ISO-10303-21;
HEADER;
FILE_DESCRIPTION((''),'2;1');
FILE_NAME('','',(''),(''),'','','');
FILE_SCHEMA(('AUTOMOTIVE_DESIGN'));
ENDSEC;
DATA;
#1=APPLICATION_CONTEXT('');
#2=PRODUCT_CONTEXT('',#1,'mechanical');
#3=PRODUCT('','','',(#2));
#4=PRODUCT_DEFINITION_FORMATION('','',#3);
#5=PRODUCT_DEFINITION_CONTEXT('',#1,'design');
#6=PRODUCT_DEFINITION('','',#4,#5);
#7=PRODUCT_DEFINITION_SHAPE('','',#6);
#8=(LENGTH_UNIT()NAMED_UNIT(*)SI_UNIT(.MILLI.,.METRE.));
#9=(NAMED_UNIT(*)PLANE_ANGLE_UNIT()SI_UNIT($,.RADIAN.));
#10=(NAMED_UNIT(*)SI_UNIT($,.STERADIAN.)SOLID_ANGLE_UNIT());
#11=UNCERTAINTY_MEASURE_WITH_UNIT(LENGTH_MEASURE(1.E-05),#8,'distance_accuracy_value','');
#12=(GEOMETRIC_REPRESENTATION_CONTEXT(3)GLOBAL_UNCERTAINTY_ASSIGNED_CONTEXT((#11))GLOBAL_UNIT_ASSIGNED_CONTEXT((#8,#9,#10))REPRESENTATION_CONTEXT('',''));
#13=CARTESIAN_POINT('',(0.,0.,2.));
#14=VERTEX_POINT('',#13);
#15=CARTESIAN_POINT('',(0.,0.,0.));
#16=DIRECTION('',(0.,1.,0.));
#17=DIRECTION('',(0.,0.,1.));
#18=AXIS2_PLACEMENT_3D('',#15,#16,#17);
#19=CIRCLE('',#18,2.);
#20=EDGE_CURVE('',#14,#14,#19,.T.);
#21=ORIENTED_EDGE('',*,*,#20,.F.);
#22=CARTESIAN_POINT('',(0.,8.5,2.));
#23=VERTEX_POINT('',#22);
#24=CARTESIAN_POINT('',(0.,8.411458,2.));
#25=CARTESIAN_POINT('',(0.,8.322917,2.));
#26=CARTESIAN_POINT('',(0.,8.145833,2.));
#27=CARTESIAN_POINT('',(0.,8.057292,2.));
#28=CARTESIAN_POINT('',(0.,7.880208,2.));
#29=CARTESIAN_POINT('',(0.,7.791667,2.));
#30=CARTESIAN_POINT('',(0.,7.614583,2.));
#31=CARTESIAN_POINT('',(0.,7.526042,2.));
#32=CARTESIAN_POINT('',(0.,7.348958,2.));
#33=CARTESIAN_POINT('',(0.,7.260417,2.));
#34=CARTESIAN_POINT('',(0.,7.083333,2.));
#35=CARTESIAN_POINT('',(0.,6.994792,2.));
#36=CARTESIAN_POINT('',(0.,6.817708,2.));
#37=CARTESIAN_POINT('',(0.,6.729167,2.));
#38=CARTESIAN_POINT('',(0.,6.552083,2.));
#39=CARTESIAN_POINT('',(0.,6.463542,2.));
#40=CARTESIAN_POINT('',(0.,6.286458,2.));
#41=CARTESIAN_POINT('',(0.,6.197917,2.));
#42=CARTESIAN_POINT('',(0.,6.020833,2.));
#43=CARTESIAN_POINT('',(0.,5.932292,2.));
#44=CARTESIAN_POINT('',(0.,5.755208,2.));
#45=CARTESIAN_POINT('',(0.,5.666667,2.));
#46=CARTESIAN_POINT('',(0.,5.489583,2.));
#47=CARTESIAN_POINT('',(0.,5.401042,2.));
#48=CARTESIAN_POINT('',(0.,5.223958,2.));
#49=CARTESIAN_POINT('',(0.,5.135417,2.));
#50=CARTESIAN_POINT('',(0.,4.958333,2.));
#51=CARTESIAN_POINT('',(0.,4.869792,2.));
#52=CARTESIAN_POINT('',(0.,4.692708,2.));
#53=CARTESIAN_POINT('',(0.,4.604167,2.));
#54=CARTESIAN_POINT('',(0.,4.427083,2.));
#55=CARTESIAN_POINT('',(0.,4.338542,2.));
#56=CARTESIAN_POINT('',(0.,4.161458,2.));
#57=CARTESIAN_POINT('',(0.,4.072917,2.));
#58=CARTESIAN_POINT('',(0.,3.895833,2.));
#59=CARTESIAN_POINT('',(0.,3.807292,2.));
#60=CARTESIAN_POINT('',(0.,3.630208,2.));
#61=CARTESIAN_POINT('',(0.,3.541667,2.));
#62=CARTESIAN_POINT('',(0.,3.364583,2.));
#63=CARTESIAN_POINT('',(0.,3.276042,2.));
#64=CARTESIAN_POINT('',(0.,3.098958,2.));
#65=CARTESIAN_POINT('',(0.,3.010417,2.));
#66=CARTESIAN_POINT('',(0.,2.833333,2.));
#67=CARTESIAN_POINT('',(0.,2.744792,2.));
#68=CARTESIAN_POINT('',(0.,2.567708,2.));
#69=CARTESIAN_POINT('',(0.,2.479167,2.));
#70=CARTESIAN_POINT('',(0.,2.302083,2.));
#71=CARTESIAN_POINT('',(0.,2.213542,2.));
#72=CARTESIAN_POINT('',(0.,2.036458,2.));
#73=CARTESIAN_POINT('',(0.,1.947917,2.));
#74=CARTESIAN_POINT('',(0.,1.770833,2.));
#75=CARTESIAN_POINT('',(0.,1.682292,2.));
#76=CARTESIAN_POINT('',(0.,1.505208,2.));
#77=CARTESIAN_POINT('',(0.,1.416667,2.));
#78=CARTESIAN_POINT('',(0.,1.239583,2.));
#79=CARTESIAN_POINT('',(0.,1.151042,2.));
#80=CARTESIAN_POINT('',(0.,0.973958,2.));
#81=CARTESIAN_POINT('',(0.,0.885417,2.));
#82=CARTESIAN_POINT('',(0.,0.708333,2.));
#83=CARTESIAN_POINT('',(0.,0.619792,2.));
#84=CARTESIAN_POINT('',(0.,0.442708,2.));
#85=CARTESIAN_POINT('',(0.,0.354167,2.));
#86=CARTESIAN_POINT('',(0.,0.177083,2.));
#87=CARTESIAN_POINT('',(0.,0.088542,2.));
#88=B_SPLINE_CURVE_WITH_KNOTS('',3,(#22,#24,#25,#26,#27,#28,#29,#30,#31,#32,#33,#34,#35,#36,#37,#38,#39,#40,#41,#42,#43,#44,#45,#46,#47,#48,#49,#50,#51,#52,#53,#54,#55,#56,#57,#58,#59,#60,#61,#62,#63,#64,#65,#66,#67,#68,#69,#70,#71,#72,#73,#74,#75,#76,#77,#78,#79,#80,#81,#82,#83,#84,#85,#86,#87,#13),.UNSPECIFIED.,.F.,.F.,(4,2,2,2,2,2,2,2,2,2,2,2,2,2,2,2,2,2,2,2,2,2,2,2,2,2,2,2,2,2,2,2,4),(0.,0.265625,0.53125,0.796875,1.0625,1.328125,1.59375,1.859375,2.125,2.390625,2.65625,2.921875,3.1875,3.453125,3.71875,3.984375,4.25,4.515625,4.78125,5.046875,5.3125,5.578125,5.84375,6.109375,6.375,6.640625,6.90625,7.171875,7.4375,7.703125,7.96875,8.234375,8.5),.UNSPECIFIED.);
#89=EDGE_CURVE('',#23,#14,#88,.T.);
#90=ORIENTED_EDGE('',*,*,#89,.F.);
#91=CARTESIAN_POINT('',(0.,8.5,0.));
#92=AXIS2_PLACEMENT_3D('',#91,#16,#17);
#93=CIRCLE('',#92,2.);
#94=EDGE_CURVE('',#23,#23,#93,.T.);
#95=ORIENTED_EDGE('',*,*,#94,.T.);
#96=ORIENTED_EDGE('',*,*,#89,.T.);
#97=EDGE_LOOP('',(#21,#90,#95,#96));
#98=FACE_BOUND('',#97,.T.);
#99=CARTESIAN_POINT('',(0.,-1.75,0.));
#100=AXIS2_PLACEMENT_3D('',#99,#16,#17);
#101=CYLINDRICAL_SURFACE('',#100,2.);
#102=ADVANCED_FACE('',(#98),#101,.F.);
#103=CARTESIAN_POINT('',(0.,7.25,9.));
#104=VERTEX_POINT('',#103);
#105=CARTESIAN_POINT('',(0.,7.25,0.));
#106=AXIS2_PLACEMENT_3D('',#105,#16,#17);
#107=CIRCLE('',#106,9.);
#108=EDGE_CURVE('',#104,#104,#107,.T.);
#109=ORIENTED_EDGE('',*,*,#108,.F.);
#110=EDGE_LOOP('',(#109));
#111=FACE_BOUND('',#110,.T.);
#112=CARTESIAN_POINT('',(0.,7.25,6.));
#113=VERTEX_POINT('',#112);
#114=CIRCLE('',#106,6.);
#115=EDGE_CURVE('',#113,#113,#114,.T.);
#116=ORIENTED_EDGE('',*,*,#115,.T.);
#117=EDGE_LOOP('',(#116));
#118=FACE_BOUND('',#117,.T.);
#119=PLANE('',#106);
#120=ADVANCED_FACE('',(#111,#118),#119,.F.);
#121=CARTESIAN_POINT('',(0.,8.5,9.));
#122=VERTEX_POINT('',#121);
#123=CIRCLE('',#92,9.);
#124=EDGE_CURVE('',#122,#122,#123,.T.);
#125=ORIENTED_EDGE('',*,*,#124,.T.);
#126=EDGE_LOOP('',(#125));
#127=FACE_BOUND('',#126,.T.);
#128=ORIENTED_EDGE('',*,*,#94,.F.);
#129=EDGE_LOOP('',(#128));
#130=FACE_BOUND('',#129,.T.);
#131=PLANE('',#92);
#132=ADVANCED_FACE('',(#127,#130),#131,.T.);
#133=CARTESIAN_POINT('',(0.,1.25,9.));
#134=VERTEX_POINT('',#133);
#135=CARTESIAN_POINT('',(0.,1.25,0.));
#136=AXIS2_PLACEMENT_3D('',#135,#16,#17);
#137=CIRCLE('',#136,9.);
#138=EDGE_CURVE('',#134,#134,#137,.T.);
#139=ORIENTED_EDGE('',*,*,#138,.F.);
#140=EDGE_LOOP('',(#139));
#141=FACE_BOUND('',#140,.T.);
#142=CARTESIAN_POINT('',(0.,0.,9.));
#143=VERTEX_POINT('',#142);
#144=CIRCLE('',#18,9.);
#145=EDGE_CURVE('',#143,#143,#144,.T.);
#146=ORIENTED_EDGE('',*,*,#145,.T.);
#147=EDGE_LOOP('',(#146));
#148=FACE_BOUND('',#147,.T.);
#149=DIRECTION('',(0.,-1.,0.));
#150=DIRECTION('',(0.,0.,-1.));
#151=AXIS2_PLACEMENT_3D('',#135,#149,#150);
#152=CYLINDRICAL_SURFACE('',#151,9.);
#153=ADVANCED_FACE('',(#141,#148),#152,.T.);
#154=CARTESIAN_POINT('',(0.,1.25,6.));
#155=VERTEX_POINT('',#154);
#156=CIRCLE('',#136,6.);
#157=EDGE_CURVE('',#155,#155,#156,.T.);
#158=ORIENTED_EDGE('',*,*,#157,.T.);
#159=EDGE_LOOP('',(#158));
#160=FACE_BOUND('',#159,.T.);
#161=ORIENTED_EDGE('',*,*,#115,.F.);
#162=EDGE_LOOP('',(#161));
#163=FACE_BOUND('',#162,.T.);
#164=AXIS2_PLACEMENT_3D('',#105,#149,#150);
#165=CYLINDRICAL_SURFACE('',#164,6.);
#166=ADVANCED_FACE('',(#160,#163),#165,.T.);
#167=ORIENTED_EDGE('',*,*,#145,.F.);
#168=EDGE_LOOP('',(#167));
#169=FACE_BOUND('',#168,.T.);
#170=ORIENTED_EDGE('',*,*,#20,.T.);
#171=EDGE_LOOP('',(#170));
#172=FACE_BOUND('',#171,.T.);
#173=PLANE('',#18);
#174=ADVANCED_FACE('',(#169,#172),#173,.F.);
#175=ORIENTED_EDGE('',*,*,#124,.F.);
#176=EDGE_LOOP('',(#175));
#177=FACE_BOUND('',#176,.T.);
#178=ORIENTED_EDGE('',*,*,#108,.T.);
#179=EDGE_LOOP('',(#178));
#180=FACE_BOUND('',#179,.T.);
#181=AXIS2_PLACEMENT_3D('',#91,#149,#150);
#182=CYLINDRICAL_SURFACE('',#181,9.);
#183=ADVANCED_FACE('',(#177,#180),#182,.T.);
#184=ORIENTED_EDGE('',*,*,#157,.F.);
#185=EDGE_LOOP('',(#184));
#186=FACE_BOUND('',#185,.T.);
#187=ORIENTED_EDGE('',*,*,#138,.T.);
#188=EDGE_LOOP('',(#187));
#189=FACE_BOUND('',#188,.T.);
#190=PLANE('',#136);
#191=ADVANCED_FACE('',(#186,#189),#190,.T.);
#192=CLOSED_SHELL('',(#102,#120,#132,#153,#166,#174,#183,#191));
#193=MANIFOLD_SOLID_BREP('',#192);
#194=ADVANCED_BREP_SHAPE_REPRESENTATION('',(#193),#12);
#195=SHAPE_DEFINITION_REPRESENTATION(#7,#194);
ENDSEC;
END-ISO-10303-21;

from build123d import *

# Parameters (mm, degrees)
SKETCH1_R           = 9
BOSS_EXTRUDE1_DEPTH = 1.25
SKETCH2_R           = 6
BOSS_EXTRUDE2_DEPTH = 6
SKETCH3_R           = 9
BOSS_EXTRUDE3_DEPTH = 1.25
SKETCH4_R           = 2
CUT_EXTRUDE1_DEPTH  = 10.25


with BuildPart() as part:
    # Sketch1 → Boss-Extrude1 (new body)
    with BuildSketch(Plane(origin=(0, 0, 0), x_dir=(1, 0, 0), z_dir=(0, 1, 0))):
        with Locations(Location((0, 0, 0), (0, 0, 270))):
            Circle(SKETCH1_R)
    extrude(amount=BOSS_EXTRUDE1_DEPTH)

    # Sketch2 → Boss-Extrude2 (add)
    with BuildSketch(Plane(origin=(0, 1.25, 0), x_dir=(1, 0, 0), z_dir=(0, 1, 0))):
        with Locations(Location((0, 0, 0), (0, 0, 270))):
            Circle(SKETCH2_R)
    extrude(amount=BOSS_EXTRUDE2_DEPTH)

    # Sketch3 → Boss-Extrude3 (add)
    with BuildSketch(Plane(origin=(0, 7.25, 0), x_dir=(1, 0, 0), z_dir=(0, 1, 0))):
        with Locations(Location((0, 0, 0), (0, 0, 270))):
            Circle(SKETCH3_R)
    extrude(amount=BOSS_EXTRUDE3_DEPTH)

    # Sketch4 → Cut-Extrude1 (cut)
    with BuildSketch(Plane(origin=(0, 8.5, 0), x_dir=(1, 0, 0), z_dir=(0, 1, 0))):
        with Locations(Location((0, 0, 0), (0, 0, 270))):
            Circle(SKETCH4_R)
    extrude(amount=-CUT_EXTRUDE1_DEPTH, mode=Mode.SUBTRACT)


solid = part.part
